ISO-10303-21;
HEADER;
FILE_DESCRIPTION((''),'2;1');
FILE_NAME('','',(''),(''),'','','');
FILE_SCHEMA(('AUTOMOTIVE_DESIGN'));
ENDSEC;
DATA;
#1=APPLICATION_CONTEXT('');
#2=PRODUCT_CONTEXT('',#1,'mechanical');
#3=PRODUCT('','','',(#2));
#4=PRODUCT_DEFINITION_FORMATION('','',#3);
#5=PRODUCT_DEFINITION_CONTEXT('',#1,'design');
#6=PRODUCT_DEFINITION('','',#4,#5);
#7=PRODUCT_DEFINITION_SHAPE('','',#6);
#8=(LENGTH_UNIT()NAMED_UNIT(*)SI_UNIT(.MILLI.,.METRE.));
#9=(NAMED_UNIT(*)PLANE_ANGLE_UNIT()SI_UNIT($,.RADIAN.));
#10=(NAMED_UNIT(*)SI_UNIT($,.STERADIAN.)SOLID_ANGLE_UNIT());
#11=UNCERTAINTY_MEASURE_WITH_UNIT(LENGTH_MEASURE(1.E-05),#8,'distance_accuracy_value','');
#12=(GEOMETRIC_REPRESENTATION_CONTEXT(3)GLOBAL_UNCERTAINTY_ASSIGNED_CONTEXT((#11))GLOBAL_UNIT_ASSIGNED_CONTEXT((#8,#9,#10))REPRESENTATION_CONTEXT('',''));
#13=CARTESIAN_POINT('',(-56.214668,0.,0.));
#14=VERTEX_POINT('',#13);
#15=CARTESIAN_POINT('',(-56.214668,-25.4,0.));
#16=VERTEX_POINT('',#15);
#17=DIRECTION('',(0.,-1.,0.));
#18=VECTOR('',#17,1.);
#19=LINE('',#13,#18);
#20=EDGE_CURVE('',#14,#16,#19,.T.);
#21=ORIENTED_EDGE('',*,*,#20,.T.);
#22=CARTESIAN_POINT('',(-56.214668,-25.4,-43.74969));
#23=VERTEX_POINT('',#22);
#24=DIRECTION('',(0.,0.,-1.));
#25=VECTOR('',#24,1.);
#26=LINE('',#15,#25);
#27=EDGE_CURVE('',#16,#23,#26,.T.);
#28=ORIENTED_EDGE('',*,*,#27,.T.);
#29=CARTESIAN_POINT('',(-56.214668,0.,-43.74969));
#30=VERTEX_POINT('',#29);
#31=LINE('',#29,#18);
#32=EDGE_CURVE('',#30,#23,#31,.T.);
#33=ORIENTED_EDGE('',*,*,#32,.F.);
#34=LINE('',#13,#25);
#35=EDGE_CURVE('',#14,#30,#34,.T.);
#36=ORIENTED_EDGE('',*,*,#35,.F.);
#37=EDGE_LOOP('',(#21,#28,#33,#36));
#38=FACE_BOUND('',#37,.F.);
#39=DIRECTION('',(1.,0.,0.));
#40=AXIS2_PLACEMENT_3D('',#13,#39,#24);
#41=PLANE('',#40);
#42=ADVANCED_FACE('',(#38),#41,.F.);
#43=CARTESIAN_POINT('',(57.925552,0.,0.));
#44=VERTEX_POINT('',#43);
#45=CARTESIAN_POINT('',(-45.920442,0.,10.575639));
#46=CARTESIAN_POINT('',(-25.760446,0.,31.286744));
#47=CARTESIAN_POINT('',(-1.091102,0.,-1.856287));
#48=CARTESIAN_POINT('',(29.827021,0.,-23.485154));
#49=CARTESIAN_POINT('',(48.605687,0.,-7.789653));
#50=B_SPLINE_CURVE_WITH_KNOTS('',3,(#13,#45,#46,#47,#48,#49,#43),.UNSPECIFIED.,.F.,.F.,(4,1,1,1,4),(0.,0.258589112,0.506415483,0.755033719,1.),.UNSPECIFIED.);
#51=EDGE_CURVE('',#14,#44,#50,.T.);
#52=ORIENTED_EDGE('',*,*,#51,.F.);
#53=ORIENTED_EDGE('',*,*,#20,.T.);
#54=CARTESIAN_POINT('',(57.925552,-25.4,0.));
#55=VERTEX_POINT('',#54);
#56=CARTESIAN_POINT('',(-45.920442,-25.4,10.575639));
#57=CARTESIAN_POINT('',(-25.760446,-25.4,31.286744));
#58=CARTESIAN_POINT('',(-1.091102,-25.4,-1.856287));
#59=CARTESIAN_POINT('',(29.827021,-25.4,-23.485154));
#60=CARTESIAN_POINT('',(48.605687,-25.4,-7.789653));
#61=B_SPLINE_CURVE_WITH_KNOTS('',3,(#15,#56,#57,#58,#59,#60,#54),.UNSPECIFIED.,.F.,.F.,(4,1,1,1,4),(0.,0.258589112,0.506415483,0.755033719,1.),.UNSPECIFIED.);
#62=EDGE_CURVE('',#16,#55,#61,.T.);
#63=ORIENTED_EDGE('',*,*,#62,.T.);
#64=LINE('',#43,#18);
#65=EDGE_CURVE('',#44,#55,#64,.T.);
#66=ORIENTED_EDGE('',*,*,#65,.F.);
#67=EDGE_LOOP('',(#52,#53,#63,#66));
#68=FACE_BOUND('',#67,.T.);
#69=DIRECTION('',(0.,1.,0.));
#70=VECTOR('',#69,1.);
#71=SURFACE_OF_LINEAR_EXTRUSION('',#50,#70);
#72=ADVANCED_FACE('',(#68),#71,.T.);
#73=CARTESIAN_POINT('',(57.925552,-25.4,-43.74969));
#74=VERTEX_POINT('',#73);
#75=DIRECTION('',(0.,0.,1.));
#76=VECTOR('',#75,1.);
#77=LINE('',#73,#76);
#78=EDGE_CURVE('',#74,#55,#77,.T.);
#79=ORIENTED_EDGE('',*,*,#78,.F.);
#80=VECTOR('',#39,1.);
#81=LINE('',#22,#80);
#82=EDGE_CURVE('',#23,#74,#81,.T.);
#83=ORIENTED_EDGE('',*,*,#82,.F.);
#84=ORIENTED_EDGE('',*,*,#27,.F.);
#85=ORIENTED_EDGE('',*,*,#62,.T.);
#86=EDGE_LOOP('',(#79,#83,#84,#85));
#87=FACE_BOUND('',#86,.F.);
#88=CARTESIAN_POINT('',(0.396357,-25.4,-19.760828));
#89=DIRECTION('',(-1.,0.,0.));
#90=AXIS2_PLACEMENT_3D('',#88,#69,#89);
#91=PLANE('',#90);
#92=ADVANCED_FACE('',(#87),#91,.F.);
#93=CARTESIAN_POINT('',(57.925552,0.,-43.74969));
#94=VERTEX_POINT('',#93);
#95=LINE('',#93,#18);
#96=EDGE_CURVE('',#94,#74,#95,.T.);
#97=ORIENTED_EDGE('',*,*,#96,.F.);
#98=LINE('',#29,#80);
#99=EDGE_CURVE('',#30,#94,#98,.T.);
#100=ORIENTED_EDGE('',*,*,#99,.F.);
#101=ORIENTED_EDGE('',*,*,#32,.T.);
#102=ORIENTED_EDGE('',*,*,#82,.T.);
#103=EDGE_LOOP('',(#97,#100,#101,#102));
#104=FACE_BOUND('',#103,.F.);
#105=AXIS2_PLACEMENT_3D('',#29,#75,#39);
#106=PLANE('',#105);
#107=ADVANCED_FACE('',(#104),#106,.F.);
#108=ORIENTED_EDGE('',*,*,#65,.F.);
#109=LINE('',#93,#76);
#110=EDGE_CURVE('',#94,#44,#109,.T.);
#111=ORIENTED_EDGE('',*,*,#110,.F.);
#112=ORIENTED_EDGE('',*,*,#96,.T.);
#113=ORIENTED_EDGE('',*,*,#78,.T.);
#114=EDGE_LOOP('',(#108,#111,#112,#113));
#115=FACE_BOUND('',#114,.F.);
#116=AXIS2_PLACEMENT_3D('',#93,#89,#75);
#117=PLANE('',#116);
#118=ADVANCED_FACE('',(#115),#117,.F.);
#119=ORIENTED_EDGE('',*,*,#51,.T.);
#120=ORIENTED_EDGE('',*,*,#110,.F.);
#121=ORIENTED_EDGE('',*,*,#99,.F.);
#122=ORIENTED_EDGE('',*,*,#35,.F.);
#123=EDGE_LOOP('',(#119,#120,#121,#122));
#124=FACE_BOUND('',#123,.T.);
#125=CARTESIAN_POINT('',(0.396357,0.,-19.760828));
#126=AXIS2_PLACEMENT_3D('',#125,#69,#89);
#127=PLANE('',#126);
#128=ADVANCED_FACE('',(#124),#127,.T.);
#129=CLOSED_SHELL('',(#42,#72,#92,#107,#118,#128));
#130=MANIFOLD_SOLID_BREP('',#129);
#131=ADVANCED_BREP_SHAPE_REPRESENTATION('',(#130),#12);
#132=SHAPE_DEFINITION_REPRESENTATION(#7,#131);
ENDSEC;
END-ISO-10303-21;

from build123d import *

# Parameters (mm, degrees)
F1_DEPTH = 25.4


with BuildPart() as f1:
    # F0 (on Front) → F1 (new body)
    with BuildSketch(Plane.XZ):
        with BuildLine():
            add(Edge.make_bspline(
                [(-56.2146678567, 0), (-45.9204422843, 10.575638816), (-25.7604459223, 31.2867440192), (-1.0911016091, -1.8562874877), (29.8270214145, -23.4851543531), (48.6056872921, -7.789653219), (57.9255521297, 0)],
                knots=[0, 0, 0, 0, 0.2585891115, 0.5064154831, 0.7550337185, 1, 1, 1, 1], degree=3))
            Line((-56.2146678567, 0), (-56.2146678567, -43.7496900558))
            Line((-56.2146678567, -43.7496900558), (57.9255521297, -43.7496900558))
            Line((57.9255521297, -43.7496900558), (57.9255521297, 0))
        make_face()
    extrude(amount=F1_DEPTH)


solid = f1.part
